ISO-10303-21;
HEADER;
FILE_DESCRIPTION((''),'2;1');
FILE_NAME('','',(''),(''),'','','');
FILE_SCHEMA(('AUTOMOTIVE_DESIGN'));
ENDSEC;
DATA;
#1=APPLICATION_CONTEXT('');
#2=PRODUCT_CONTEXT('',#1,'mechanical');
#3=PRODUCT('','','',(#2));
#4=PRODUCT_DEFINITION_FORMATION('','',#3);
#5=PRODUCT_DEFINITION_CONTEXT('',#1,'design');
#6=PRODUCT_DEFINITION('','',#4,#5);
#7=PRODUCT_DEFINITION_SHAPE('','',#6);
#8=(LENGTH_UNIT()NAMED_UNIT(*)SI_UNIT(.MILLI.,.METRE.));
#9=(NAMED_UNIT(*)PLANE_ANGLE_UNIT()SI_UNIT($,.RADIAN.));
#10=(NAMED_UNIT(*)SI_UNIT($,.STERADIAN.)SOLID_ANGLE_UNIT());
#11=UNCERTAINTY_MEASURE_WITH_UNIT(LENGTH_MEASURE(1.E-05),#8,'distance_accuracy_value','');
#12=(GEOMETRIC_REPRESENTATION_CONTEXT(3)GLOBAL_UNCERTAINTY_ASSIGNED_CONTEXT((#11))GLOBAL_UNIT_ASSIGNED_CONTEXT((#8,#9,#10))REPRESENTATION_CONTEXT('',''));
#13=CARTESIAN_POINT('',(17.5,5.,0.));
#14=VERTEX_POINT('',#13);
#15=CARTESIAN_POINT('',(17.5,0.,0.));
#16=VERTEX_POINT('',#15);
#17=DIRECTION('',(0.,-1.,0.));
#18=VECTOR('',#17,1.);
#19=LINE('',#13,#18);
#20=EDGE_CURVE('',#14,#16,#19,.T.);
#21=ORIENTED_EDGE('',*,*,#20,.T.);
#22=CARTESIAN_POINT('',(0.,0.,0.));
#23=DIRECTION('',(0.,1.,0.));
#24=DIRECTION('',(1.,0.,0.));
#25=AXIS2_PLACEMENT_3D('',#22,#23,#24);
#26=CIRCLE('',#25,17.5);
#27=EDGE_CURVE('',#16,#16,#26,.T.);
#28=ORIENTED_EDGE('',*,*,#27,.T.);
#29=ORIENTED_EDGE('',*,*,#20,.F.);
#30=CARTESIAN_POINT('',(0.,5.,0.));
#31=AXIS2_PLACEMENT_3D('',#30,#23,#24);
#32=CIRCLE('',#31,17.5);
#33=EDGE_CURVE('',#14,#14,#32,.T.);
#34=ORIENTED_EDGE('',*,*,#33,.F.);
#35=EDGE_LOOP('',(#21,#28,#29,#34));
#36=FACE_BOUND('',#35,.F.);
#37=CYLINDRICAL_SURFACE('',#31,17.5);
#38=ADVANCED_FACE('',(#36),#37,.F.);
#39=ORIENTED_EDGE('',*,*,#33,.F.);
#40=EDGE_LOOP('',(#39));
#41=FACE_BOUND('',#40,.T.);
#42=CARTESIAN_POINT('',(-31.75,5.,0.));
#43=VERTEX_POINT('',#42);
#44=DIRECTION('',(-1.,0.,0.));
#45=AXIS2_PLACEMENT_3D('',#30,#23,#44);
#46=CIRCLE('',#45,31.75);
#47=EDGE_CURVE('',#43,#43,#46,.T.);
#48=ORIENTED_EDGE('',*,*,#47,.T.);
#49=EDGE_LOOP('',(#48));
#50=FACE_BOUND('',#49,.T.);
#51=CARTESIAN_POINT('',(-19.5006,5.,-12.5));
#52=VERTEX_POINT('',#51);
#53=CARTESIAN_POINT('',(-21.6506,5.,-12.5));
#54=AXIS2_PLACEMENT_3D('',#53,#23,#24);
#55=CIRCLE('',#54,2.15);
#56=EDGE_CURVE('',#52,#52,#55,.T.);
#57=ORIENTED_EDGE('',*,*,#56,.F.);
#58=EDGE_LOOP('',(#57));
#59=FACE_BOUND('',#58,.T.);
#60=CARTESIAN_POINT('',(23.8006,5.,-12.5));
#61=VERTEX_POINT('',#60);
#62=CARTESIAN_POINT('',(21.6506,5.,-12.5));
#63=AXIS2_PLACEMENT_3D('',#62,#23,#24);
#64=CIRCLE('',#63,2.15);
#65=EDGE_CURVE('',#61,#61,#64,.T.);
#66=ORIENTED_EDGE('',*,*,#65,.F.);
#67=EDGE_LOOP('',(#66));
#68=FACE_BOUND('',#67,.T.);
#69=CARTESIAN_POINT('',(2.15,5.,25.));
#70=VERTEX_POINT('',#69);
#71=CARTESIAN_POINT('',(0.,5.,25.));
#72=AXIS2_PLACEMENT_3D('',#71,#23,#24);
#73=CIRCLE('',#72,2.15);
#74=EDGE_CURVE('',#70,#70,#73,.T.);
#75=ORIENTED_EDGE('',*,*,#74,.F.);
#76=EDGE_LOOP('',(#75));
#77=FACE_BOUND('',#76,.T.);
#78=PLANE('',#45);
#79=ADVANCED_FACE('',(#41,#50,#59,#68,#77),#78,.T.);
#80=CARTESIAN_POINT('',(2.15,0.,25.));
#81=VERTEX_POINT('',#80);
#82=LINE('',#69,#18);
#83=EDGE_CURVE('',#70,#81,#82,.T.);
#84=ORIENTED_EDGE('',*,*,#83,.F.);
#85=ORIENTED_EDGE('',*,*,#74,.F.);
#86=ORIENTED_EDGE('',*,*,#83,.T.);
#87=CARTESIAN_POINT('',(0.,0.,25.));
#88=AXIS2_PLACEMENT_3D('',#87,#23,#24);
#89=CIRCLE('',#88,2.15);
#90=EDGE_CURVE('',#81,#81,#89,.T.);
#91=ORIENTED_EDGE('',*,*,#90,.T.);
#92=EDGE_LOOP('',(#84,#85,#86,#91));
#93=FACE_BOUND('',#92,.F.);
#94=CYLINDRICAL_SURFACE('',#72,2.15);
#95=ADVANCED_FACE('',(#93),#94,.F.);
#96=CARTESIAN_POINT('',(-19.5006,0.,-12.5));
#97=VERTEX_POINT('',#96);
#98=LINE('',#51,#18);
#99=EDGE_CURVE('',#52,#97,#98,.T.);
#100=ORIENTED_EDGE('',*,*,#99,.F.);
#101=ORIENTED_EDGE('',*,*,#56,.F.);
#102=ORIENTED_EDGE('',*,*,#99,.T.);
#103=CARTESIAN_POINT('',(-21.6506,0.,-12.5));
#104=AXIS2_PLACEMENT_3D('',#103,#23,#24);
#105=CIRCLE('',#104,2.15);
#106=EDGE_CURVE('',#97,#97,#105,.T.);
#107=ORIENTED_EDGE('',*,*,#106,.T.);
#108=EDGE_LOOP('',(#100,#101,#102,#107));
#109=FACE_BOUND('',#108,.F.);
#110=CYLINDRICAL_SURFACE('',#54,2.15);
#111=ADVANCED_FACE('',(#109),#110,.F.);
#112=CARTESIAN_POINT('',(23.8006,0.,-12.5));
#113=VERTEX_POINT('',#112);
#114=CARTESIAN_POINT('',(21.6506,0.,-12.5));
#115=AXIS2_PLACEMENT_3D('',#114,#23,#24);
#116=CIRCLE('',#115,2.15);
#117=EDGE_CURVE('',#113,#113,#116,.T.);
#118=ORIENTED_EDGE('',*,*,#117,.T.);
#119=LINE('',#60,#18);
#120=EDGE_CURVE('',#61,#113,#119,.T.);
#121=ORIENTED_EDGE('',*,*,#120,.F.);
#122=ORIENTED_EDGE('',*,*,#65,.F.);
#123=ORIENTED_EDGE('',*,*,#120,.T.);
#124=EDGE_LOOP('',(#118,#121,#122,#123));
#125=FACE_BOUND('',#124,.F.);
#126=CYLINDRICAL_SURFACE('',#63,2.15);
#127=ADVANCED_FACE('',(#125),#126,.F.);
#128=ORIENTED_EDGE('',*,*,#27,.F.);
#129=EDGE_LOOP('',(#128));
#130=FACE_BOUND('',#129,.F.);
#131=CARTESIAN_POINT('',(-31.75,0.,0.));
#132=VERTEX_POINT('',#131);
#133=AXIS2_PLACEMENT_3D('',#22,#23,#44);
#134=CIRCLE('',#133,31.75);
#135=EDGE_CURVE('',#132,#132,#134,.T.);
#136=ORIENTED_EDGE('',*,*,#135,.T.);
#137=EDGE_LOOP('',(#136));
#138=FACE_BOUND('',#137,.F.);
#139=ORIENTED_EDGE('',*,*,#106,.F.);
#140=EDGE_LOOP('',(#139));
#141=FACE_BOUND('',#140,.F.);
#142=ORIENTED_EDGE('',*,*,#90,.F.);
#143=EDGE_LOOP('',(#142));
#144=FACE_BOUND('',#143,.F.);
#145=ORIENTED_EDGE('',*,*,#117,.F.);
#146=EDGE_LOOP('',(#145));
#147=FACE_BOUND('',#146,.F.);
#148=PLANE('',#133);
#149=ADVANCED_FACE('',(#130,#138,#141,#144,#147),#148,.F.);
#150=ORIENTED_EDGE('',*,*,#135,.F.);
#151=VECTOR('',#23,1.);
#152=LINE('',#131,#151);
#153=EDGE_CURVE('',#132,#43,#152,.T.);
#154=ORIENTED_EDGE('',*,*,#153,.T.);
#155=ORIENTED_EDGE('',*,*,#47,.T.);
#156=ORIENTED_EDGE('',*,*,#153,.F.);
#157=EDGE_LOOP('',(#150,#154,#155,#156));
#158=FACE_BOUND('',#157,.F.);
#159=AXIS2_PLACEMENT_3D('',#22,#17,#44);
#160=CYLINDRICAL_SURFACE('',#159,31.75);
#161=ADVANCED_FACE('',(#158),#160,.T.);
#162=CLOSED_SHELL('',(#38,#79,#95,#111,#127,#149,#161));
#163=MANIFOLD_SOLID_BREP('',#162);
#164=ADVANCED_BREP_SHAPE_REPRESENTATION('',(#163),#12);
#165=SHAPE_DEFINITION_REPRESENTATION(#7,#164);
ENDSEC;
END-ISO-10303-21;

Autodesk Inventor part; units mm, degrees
ref_plane "YZ Plane" through (0, 0, 0) normal (1, 0, 0) x (0, 1, 0)
ref_plane "XZ Plane" through (0, 0, 0) normal (0, 1, 0) x (-1, 0, 0)
ref_plane "XY Plane" through (0, 0, 0) normal (0, 0, 1) x (1, 0, 0)
sketch "スケッチ1" plane through (0, 0, 0) normal (0, 1, 0) x (-1, 0, 0)
  circle A0 centre (0, 0) radius 31.75
  dimension "d0" = 63.5
extrude "押し出し1" add sketch "スケッチ1" along normal blind 5
sketch "スケッチ4" plane through (0, 5, 0) normal (0, 1, 0) x (1, 0, 0)
  circle A0 centre (0, 0) radius 17.5
  dimension "d9" = 35
extrude "押し出し4" cut sketch "スケッチ4" against normal through all
sketch "スケッチ6" plane through (0, 5, 0) normal (0, 1, 0) x (1, 0, 0)
  circle A0 centre (0, 0) radius 25 construction
  circle A1 centre (21.6506, 12.5) radius 2.15
  line L0 (0, 0) -> (21.6506, 12.5) construction
  line L1 (0, 0) -> (35.9214, 0) construction
  circle A2 centre (-21.6506, 12.5) radius 2.15
  circle A3 centre (0, -25) radius 2.15
  dimension "d19" = 50
  dimension "d20" = 4.3
  dimension "d21" = 30
  dimension "d24" = 360
extrude "押し出し6" cut sketch "スケッチ6" against normal through all
properties part number "B_probe_bearing_without_holes" material "PAEK 樹脂"
